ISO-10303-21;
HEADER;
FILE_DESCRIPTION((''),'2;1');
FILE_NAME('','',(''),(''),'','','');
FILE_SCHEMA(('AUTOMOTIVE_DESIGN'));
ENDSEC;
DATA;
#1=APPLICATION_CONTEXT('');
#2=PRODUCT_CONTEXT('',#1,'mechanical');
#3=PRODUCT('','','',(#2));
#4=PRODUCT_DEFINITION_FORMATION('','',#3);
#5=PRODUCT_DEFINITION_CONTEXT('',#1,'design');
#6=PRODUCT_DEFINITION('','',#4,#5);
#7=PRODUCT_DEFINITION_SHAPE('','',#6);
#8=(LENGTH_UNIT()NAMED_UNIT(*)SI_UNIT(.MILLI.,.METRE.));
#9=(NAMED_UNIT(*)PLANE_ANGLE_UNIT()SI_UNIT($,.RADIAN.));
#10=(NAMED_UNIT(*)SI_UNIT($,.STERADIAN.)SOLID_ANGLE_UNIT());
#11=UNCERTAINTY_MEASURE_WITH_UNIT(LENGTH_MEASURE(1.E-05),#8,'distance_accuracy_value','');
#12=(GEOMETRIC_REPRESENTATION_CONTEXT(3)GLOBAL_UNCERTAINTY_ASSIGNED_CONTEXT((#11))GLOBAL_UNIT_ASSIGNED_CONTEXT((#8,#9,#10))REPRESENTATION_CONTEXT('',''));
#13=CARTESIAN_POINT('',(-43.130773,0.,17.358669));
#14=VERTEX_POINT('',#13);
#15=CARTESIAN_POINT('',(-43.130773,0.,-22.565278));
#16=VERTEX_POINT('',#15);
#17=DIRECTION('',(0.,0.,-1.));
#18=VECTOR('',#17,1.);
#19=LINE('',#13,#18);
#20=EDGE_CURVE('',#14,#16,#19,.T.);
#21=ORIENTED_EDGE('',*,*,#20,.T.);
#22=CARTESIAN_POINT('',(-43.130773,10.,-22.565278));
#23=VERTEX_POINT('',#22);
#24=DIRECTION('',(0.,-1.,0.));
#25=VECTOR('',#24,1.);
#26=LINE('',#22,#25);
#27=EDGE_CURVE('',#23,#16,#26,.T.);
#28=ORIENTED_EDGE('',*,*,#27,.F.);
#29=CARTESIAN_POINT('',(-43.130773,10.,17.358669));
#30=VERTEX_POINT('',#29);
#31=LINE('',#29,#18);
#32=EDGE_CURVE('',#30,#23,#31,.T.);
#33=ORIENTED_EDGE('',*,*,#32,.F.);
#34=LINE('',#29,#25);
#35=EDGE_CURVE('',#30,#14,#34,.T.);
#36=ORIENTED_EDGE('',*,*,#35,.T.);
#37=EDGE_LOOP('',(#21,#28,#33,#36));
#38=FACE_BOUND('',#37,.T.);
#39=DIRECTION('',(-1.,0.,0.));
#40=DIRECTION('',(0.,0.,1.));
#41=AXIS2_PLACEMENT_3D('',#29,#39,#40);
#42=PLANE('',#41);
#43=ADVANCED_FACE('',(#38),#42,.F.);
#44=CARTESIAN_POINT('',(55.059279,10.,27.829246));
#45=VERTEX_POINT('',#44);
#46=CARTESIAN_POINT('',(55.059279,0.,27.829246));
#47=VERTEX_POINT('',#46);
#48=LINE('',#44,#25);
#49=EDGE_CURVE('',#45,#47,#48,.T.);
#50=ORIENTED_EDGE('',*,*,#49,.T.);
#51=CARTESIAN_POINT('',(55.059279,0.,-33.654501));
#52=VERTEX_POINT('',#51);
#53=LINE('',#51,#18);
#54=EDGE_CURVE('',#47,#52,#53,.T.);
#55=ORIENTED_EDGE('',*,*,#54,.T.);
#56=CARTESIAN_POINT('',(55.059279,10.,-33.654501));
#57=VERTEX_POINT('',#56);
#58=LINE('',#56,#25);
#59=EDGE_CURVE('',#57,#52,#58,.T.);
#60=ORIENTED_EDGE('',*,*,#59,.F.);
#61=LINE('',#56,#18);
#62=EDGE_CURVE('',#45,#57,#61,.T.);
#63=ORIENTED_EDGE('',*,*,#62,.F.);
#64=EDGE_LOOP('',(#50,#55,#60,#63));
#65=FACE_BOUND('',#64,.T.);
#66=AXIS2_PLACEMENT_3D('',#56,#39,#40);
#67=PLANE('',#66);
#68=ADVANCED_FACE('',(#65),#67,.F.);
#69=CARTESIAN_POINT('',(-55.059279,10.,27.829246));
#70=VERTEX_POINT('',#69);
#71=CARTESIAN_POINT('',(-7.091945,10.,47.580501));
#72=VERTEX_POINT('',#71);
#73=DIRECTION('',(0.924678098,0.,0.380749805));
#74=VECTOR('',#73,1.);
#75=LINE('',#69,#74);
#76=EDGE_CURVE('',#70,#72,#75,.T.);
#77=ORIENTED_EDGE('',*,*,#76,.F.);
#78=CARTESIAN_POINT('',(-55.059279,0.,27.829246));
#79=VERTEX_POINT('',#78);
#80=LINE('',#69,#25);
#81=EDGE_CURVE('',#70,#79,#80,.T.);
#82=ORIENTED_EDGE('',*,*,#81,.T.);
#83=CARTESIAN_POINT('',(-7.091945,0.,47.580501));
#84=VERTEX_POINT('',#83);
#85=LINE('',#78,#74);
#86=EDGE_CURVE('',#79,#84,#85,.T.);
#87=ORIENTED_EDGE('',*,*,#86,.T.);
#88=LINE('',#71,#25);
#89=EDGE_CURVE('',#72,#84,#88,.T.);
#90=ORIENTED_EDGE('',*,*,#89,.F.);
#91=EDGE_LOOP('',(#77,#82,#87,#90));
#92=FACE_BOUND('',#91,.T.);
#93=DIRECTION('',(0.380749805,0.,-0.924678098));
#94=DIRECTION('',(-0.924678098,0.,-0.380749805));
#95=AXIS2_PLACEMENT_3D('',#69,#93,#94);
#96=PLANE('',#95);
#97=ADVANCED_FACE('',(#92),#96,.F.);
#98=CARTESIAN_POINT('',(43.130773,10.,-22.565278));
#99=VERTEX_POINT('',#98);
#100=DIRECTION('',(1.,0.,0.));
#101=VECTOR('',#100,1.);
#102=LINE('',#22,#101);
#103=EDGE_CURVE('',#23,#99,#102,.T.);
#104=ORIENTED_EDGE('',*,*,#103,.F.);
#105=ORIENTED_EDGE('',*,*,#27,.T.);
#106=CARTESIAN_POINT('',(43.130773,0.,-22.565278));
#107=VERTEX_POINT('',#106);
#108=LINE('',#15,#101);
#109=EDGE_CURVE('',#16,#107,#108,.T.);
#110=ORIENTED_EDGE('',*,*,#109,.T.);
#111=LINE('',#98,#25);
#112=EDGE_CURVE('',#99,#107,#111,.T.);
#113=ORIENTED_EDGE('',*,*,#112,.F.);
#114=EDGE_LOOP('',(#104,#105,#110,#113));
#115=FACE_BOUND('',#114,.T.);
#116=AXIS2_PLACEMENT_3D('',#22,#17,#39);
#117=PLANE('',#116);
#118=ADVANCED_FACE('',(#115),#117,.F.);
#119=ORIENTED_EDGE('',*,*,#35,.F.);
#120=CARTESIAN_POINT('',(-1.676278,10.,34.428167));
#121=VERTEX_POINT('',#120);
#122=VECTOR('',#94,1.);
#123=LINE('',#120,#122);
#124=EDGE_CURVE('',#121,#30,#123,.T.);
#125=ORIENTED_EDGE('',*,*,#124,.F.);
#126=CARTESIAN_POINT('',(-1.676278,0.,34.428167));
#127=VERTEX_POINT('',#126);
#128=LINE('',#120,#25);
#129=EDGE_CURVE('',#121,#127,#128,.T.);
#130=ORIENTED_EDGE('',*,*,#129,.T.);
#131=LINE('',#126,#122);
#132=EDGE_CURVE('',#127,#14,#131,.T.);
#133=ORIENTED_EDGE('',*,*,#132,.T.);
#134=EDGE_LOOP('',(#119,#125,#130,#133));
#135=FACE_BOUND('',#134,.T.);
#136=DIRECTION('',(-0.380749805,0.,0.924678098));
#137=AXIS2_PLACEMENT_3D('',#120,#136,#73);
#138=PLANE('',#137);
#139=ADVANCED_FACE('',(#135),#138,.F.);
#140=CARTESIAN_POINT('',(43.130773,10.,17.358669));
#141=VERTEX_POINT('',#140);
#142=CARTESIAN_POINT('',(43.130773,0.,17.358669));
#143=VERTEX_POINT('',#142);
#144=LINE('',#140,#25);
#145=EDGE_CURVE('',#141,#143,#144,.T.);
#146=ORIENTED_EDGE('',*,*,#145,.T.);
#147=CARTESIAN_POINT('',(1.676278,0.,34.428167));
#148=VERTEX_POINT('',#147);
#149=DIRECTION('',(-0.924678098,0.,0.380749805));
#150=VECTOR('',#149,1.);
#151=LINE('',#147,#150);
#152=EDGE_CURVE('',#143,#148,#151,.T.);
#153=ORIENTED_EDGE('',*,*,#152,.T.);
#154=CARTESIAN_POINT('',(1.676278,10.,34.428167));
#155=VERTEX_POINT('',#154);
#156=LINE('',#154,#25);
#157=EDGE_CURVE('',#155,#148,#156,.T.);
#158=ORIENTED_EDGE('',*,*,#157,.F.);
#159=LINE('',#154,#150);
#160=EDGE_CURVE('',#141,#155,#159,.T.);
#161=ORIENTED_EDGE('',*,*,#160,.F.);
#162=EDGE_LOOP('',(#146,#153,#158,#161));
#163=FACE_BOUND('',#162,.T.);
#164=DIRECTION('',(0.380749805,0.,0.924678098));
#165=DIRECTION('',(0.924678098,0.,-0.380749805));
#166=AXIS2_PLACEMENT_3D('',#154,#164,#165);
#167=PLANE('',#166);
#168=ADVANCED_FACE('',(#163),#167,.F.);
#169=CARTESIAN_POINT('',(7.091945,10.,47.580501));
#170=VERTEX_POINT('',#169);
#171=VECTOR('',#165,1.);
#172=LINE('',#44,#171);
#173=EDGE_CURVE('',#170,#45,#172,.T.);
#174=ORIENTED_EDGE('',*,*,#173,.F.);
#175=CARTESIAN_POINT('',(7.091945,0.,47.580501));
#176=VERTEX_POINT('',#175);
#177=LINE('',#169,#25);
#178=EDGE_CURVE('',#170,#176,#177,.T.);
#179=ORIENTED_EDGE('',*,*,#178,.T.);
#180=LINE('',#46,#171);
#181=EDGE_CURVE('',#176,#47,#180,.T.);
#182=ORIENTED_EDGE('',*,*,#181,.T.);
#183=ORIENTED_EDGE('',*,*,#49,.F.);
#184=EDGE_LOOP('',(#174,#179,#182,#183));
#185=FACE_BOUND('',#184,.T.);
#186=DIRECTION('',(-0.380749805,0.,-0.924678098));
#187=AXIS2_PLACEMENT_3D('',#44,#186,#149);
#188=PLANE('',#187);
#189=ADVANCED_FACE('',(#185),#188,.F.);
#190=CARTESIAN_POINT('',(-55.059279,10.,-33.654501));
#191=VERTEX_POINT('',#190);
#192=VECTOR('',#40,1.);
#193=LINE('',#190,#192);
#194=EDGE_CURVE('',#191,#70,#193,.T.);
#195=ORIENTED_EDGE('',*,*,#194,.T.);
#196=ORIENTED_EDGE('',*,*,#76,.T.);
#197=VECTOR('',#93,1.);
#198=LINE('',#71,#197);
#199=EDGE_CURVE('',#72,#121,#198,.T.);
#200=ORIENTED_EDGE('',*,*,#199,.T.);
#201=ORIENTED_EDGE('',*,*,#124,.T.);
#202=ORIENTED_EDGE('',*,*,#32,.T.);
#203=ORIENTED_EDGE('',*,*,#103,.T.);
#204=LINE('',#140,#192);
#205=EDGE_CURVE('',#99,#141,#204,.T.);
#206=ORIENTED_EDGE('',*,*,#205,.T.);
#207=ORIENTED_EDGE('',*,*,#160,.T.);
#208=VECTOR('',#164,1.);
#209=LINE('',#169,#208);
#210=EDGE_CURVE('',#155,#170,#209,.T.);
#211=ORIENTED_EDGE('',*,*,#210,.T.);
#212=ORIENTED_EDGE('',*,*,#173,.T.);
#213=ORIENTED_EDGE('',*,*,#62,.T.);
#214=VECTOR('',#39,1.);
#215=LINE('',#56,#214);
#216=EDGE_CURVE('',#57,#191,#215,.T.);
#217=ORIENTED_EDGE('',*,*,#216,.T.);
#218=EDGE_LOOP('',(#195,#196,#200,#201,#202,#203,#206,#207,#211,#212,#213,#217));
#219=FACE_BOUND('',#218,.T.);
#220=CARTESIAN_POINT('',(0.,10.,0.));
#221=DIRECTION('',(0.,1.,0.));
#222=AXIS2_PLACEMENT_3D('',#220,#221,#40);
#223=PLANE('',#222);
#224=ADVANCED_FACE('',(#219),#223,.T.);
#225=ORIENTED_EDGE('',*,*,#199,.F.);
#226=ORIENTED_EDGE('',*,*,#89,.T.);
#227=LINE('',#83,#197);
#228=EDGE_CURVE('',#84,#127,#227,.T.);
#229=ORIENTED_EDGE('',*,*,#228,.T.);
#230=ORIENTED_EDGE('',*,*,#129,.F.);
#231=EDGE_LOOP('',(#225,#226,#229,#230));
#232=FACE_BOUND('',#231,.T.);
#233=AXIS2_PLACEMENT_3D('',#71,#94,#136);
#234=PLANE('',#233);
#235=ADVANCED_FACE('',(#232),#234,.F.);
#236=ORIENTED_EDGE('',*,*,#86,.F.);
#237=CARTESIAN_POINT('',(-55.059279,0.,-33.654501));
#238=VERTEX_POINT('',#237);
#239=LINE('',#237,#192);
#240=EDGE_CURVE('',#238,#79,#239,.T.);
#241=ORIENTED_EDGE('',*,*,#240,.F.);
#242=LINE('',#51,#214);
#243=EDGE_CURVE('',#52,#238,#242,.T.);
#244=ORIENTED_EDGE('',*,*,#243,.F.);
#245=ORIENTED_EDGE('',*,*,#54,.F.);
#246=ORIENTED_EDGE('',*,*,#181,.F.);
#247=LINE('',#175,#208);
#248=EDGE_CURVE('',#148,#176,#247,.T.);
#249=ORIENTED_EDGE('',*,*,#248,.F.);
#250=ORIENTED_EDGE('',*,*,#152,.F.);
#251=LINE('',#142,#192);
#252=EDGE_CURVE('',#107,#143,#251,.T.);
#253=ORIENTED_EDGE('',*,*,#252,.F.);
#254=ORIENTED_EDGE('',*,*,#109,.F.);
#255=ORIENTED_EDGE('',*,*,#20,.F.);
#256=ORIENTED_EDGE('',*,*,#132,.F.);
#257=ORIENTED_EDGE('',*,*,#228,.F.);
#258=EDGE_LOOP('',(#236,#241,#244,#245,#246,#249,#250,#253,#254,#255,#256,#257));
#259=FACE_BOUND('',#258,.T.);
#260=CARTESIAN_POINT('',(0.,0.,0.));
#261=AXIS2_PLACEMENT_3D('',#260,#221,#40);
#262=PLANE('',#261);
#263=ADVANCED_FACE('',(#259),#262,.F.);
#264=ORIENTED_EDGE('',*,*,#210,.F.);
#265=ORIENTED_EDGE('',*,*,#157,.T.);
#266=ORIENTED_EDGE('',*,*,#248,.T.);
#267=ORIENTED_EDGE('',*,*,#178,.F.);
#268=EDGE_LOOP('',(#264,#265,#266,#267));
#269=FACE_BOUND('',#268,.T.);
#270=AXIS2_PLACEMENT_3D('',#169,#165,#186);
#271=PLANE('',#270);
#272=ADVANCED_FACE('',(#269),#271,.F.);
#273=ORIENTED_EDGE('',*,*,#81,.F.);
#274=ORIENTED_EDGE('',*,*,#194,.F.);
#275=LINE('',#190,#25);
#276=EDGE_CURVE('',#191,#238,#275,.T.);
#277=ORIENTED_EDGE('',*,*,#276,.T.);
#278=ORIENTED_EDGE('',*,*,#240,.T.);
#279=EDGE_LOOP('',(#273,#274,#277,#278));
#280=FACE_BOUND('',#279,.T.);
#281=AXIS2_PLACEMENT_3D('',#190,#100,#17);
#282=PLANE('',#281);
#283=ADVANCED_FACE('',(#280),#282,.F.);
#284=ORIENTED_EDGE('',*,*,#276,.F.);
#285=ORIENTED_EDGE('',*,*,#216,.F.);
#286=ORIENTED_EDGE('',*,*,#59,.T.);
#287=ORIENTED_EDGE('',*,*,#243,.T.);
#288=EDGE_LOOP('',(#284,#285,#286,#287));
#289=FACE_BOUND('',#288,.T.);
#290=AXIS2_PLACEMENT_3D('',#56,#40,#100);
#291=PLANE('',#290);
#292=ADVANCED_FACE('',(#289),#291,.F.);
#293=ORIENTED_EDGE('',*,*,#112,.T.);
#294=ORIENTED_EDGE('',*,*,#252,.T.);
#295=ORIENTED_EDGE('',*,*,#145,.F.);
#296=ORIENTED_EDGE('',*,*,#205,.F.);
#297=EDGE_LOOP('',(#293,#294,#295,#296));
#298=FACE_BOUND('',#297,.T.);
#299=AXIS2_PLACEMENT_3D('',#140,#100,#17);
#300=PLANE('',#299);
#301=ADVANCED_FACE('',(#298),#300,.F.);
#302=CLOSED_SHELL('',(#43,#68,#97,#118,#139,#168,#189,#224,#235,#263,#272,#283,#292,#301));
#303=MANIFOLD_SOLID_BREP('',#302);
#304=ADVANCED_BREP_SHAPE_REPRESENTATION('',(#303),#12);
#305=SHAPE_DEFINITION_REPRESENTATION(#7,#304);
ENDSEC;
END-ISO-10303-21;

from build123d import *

# Parameters (mm, degrees)
BOSS_EXTRUDE1_DEPTH = 10


with BuildPart() as part:
    # Sketch1 → Boss-Extrude1 (new body)
    with BuildSketch(Plane(origin=(0, 0, 0), x_dir=(1, 0, 0), z_dir=(0, 1, 0))):
        Polygon((-7.091944581, -47.580500917), (-1.67627781, -34.42816733), (-43.13077302, -17.358669302), (-43.13077302, 22.565278213), (43.13077302, 22.565278213), (43.13077302, -17.358669302), (1.67627781, -34.42816733), (7.091944581, -47.580500917), (55.059278839, -27.829245634), (55.059278839, 33.654500648), (-55.059278839, 33.654500648), (-55.059278839, -27.829245634), align=None)
    extrude(amount=BOSS_EXTRUDE1_DEPTH)


solid = part.part
